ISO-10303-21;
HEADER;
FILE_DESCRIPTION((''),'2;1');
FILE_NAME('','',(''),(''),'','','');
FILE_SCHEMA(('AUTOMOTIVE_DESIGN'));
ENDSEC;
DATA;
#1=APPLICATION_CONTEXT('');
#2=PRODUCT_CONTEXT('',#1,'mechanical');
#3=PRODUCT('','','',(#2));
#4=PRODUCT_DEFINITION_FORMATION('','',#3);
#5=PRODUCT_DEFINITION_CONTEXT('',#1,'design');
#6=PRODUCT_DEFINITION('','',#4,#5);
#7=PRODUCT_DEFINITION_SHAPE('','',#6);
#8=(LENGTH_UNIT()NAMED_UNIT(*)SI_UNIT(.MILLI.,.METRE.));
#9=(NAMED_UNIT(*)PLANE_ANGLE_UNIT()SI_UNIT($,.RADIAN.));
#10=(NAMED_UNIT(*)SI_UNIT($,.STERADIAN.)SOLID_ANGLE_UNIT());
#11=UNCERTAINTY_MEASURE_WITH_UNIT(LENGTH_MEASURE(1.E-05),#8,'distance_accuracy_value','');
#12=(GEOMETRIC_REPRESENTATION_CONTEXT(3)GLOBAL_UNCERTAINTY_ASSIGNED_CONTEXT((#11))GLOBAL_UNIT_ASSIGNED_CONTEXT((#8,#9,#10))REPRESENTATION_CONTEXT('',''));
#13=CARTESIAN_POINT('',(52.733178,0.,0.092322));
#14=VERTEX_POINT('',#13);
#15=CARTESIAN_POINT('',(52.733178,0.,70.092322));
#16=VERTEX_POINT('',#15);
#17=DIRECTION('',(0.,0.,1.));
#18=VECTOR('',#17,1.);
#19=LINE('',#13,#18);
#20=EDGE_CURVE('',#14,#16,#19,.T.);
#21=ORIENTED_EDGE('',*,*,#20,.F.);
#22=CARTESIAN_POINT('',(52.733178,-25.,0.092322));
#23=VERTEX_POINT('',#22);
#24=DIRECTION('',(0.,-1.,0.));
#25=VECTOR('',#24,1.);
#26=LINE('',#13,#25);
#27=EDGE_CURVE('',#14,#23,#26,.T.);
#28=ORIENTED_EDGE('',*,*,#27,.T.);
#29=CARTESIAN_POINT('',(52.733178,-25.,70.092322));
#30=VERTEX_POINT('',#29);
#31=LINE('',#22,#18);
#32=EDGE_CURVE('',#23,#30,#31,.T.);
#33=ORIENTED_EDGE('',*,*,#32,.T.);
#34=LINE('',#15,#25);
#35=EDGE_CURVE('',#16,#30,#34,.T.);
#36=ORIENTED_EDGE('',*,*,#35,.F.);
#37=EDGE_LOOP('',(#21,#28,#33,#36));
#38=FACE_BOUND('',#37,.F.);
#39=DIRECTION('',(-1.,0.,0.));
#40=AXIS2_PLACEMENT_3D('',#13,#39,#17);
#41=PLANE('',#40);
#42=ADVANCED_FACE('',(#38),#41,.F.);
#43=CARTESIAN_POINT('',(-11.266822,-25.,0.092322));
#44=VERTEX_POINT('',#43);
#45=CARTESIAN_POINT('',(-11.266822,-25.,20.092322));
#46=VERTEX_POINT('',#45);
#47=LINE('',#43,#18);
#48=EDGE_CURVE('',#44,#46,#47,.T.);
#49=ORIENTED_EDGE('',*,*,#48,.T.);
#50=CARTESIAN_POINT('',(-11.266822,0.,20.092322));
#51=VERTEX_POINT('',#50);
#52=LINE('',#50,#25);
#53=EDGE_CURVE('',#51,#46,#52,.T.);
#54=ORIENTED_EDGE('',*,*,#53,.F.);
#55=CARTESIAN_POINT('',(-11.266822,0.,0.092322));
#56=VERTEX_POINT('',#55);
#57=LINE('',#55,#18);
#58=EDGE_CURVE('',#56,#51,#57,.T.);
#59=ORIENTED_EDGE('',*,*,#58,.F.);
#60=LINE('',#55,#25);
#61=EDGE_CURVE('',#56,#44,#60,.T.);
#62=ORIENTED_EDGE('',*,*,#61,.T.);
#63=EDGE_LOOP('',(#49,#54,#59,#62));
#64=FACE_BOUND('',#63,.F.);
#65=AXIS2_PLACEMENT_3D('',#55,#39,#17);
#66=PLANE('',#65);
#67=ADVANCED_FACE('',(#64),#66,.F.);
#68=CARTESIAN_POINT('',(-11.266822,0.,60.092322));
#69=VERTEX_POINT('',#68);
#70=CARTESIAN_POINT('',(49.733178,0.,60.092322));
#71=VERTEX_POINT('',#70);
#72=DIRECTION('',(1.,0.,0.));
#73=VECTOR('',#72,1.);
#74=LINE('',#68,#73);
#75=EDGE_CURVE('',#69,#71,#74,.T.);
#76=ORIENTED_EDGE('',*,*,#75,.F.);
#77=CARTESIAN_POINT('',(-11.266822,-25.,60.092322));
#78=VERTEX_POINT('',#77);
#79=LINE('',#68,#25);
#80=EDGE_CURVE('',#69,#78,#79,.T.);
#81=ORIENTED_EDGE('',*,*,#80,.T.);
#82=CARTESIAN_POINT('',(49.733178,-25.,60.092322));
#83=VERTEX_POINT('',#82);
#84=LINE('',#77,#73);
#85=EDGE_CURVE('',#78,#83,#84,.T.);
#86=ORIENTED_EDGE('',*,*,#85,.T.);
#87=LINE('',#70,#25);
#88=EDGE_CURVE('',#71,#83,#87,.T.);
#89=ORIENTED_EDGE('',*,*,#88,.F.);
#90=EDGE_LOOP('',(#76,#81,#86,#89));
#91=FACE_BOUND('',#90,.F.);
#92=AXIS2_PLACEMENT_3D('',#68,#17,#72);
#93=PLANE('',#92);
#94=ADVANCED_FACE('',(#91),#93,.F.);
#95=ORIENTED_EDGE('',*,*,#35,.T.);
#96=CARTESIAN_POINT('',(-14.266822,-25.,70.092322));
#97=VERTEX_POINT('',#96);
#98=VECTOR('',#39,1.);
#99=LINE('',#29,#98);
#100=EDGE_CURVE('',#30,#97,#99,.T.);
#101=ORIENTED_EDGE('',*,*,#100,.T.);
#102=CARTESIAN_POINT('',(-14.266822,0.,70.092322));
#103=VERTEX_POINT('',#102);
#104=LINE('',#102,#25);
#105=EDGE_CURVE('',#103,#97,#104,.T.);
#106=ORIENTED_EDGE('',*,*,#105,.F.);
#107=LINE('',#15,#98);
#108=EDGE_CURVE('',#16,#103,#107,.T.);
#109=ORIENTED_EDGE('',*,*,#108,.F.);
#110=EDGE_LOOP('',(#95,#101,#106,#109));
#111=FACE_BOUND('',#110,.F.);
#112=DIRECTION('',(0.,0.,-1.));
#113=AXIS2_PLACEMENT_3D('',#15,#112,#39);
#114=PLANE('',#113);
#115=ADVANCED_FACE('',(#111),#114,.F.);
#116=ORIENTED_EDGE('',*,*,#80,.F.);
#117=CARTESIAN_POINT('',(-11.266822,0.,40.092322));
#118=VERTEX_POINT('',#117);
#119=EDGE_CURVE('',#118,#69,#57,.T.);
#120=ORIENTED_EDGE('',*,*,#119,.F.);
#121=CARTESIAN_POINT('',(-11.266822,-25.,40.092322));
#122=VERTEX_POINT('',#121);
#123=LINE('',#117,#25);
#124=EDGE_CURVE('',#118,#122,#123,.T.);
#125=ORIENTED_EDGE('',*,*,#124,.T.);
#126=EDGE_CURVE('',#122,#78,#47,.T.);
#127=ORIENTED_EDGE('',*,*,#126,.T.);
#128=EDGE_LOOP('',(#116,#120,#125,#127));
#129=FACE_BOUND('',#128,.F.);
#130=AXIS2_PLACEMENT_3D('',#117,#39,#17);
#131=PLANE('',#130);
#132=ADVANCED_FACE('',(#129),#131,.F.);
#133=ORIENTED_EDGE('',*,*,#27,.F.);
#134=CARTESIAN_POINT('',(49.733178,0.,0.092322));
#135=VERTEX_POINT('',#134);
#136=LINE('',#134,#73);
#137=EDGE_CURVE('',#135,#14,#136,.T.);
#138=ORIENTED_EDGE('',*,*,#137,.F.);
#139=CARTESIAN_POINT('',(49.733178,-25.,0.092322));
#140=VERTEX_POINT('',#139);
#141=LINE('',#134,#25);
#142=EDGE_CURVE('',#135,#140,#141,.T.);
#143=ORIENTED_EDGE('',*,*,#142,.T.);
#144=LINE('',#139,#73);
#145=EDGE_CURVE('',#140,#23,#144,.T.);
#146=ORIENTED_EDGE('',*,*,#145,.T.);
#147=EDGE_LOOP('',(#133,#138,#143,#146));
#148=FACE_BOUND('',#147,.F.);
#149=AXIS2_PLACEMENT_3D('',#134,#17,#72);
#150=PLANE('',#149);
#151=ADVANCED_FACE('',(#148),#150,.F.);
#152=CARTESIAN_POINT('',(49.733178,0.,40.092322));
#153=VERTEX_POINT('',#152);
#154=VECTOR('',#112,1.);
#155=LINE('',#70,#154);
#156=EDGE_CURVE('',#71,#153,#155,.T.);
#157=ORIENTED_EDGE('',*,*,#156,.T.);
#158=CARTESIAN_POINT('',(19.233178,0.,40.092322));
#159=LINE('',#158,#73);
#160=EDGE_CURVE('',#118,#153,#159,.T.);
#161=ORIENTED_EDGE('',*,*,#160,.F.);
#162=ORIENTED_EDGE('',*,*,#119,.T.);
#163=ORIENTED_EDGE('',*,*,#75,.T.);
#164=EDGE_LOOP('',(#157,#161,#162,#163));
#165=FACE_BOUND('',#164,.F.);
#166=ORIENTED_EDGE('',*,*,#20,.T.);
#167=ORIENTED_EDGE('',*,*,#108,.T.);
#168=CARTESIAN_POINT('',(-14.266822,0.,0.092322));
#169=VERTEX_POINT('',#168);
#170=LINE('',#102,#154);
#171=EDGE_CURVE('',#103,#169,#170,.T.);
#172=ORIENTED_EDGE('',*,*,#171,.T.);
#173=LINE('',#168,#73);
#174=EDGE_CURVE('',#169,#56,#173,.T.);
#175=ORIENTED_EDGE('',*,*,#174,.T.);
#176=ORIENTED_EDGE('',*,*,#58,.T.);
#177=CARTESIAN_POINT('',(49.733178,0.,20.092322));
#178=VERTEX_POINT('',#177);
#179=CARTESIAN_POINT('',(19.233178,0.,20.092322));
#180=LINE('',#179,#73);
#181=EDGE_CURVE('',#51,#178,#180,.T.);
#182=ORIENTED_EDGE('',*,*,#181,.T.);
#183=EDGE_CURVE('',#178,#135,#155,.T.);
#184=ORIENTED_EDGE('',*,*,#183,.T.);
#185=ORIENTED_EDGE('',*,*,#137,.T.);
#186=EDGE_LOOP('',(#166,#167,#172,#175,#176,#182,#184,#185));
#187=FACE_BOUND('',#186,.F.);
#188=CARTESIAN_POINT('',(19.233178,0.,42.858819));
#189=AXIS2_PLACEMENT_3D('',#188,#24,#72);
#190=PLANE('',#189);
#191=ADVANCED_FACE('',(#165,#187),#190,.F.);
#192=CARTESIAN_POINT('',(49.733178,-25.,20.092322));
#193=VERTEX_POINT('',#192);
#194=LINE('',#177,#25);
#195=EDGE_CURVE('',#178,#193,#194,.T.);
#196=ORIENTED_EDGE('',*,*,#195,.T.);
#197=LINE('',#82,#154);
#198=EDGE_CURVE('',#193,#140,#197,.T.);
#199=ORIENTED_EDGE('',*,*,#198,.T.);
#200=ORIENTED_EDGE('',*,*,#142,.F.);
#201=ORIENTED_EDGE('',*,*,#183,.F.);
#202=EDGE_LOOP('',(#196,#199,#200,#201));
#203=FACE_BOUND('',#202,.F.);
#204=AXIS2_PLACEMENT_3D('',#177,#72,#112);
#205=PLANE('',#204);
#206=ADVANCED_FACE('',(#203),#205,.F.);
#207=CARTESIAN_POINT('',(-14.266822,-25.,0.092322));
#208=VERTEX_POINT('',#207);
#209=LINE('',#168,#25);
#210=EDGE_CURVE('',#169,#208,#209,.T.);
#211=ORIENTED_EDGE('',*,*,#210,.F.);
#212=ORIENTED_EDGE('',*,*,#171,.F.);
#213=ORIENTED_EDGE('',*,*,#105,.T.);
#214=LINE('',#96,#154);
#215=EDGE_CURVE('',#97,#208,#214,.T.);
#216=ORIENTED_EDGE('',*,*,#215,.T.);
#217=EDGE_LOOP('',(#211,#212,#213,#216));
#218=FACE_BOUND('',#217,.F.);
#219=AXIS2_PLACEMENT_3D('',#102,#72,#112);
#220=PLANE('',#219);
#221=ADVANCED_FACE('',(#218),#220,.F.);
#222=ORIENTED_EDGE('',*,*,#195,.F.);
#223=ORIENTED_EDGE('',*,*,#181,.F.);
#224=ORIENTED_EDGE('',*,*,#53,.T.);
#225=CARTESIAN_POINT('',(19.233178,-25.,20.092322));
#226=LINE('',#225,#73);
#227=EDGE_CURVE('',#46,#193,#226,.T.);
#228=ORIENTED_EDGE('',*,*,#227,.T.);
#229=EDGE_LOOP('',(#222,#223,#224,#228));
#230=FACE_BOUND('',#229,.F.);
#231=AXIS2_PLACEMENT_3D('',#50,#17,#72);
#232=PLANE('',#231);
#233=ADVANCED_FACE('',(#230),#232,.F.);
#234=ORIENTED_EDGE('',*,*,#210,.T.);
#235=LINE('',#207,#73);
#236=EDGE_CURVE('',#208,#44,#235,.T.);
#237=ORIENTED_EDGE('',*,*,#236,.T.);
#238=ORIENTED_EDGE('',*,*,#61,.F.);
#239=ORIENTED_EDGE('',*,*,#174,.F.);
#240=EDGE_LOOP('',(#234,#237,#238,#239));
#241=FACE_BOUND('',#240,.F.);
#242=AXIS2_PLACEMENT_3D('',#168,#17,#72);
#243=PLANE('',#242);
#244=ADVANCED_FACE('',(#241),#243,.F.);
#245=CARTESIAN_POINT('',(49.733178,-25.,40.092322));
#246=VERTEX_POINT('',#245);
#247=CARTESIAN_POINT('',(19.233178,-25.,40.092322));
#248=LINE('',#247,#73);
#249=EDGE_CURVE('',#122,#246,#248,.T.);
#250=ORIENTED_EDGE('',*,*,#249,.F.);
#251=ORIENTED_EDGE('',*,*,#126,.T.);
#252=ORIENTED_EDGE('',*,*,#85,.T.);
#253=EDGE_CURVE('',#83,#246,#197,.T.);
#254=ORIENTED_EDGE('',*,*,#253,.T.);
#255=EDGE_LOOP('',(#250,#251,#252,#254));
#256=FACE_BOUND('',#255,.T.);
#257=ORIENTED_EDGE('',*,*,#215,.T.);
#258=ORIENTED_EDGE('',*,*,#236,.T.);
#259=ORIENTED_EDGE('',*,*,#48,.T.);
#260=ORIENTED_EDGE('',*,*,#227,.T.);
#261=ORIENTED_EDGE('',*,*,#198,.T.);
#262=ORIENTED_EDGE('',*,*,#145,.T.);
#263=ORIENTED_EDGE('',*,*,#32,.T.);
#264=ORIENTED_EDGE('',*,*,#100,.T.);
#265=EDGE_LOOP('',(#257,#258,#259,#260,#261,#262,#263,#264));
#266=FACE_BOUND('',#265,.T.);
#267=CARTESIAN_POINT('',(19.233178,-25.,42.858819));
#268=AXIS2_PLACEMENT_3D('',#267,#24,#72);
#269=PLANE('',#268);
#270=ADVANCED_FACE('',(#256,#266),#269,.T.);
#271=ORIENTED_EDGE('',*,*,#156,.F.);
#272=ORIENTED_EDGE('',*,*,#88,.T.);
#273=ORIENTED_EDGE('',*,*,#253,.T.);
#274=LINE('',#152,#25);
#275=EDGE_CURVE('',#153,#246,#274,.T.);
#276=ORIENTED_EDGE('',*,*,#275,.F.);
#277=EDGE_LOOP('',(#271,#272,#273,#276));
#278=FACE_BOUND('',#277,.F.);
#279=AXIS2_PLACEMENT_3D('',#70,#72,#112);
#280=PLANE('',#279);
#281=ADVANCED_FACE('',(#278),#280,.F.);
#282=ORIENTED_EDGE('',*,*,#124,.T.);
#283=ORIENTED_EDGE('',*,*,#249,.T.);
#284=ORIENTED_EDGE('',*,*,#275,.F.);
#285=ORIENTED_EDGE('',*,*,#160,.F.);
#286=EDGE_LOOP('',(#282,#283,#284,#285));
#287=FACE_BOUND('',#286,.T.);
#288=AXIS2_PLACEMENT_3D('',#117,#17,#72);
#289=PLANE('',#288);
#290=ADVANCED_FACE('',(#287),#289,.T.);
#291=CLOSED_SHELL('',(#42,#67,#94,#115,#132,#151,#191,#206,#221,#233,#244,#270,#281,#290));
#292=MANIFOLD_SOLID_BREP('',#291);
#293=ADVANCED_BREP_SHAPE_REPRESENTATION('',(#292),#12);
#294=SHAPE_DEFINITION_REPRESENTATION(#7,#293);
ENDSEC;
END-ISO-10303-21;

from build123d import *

# Parameters (mm, degrees)
F0_W     = 61
F0_H     = 20
F1_DEPTH = 25


with BuildPart() as f1:
    # F0 (on Front) → F1 (new body)
    with BuildSketch(Plane.XZ):
        Polygon((-14.266822, 0.092322), (-11.266822, 0.092322), (-11.266822, 20.092322), (-11.266822, 40.092322), (-11.266822, 60.092322), (49.733178, 60.092322), (49.733178, 40.092322), (49.733178, 20.092322), (49.733178, 0.092322), (52.733178, 0.092322), (52.733178, 70.092322), (49.733178, 70.092322), (-14.266822, 70.092322), align=None)
        with Locations((19.233178, 30.092322)):
            Rectangle(F0_W, F0_H)
    extrude(amount=F1_DEPTH)


solid = f1.part
